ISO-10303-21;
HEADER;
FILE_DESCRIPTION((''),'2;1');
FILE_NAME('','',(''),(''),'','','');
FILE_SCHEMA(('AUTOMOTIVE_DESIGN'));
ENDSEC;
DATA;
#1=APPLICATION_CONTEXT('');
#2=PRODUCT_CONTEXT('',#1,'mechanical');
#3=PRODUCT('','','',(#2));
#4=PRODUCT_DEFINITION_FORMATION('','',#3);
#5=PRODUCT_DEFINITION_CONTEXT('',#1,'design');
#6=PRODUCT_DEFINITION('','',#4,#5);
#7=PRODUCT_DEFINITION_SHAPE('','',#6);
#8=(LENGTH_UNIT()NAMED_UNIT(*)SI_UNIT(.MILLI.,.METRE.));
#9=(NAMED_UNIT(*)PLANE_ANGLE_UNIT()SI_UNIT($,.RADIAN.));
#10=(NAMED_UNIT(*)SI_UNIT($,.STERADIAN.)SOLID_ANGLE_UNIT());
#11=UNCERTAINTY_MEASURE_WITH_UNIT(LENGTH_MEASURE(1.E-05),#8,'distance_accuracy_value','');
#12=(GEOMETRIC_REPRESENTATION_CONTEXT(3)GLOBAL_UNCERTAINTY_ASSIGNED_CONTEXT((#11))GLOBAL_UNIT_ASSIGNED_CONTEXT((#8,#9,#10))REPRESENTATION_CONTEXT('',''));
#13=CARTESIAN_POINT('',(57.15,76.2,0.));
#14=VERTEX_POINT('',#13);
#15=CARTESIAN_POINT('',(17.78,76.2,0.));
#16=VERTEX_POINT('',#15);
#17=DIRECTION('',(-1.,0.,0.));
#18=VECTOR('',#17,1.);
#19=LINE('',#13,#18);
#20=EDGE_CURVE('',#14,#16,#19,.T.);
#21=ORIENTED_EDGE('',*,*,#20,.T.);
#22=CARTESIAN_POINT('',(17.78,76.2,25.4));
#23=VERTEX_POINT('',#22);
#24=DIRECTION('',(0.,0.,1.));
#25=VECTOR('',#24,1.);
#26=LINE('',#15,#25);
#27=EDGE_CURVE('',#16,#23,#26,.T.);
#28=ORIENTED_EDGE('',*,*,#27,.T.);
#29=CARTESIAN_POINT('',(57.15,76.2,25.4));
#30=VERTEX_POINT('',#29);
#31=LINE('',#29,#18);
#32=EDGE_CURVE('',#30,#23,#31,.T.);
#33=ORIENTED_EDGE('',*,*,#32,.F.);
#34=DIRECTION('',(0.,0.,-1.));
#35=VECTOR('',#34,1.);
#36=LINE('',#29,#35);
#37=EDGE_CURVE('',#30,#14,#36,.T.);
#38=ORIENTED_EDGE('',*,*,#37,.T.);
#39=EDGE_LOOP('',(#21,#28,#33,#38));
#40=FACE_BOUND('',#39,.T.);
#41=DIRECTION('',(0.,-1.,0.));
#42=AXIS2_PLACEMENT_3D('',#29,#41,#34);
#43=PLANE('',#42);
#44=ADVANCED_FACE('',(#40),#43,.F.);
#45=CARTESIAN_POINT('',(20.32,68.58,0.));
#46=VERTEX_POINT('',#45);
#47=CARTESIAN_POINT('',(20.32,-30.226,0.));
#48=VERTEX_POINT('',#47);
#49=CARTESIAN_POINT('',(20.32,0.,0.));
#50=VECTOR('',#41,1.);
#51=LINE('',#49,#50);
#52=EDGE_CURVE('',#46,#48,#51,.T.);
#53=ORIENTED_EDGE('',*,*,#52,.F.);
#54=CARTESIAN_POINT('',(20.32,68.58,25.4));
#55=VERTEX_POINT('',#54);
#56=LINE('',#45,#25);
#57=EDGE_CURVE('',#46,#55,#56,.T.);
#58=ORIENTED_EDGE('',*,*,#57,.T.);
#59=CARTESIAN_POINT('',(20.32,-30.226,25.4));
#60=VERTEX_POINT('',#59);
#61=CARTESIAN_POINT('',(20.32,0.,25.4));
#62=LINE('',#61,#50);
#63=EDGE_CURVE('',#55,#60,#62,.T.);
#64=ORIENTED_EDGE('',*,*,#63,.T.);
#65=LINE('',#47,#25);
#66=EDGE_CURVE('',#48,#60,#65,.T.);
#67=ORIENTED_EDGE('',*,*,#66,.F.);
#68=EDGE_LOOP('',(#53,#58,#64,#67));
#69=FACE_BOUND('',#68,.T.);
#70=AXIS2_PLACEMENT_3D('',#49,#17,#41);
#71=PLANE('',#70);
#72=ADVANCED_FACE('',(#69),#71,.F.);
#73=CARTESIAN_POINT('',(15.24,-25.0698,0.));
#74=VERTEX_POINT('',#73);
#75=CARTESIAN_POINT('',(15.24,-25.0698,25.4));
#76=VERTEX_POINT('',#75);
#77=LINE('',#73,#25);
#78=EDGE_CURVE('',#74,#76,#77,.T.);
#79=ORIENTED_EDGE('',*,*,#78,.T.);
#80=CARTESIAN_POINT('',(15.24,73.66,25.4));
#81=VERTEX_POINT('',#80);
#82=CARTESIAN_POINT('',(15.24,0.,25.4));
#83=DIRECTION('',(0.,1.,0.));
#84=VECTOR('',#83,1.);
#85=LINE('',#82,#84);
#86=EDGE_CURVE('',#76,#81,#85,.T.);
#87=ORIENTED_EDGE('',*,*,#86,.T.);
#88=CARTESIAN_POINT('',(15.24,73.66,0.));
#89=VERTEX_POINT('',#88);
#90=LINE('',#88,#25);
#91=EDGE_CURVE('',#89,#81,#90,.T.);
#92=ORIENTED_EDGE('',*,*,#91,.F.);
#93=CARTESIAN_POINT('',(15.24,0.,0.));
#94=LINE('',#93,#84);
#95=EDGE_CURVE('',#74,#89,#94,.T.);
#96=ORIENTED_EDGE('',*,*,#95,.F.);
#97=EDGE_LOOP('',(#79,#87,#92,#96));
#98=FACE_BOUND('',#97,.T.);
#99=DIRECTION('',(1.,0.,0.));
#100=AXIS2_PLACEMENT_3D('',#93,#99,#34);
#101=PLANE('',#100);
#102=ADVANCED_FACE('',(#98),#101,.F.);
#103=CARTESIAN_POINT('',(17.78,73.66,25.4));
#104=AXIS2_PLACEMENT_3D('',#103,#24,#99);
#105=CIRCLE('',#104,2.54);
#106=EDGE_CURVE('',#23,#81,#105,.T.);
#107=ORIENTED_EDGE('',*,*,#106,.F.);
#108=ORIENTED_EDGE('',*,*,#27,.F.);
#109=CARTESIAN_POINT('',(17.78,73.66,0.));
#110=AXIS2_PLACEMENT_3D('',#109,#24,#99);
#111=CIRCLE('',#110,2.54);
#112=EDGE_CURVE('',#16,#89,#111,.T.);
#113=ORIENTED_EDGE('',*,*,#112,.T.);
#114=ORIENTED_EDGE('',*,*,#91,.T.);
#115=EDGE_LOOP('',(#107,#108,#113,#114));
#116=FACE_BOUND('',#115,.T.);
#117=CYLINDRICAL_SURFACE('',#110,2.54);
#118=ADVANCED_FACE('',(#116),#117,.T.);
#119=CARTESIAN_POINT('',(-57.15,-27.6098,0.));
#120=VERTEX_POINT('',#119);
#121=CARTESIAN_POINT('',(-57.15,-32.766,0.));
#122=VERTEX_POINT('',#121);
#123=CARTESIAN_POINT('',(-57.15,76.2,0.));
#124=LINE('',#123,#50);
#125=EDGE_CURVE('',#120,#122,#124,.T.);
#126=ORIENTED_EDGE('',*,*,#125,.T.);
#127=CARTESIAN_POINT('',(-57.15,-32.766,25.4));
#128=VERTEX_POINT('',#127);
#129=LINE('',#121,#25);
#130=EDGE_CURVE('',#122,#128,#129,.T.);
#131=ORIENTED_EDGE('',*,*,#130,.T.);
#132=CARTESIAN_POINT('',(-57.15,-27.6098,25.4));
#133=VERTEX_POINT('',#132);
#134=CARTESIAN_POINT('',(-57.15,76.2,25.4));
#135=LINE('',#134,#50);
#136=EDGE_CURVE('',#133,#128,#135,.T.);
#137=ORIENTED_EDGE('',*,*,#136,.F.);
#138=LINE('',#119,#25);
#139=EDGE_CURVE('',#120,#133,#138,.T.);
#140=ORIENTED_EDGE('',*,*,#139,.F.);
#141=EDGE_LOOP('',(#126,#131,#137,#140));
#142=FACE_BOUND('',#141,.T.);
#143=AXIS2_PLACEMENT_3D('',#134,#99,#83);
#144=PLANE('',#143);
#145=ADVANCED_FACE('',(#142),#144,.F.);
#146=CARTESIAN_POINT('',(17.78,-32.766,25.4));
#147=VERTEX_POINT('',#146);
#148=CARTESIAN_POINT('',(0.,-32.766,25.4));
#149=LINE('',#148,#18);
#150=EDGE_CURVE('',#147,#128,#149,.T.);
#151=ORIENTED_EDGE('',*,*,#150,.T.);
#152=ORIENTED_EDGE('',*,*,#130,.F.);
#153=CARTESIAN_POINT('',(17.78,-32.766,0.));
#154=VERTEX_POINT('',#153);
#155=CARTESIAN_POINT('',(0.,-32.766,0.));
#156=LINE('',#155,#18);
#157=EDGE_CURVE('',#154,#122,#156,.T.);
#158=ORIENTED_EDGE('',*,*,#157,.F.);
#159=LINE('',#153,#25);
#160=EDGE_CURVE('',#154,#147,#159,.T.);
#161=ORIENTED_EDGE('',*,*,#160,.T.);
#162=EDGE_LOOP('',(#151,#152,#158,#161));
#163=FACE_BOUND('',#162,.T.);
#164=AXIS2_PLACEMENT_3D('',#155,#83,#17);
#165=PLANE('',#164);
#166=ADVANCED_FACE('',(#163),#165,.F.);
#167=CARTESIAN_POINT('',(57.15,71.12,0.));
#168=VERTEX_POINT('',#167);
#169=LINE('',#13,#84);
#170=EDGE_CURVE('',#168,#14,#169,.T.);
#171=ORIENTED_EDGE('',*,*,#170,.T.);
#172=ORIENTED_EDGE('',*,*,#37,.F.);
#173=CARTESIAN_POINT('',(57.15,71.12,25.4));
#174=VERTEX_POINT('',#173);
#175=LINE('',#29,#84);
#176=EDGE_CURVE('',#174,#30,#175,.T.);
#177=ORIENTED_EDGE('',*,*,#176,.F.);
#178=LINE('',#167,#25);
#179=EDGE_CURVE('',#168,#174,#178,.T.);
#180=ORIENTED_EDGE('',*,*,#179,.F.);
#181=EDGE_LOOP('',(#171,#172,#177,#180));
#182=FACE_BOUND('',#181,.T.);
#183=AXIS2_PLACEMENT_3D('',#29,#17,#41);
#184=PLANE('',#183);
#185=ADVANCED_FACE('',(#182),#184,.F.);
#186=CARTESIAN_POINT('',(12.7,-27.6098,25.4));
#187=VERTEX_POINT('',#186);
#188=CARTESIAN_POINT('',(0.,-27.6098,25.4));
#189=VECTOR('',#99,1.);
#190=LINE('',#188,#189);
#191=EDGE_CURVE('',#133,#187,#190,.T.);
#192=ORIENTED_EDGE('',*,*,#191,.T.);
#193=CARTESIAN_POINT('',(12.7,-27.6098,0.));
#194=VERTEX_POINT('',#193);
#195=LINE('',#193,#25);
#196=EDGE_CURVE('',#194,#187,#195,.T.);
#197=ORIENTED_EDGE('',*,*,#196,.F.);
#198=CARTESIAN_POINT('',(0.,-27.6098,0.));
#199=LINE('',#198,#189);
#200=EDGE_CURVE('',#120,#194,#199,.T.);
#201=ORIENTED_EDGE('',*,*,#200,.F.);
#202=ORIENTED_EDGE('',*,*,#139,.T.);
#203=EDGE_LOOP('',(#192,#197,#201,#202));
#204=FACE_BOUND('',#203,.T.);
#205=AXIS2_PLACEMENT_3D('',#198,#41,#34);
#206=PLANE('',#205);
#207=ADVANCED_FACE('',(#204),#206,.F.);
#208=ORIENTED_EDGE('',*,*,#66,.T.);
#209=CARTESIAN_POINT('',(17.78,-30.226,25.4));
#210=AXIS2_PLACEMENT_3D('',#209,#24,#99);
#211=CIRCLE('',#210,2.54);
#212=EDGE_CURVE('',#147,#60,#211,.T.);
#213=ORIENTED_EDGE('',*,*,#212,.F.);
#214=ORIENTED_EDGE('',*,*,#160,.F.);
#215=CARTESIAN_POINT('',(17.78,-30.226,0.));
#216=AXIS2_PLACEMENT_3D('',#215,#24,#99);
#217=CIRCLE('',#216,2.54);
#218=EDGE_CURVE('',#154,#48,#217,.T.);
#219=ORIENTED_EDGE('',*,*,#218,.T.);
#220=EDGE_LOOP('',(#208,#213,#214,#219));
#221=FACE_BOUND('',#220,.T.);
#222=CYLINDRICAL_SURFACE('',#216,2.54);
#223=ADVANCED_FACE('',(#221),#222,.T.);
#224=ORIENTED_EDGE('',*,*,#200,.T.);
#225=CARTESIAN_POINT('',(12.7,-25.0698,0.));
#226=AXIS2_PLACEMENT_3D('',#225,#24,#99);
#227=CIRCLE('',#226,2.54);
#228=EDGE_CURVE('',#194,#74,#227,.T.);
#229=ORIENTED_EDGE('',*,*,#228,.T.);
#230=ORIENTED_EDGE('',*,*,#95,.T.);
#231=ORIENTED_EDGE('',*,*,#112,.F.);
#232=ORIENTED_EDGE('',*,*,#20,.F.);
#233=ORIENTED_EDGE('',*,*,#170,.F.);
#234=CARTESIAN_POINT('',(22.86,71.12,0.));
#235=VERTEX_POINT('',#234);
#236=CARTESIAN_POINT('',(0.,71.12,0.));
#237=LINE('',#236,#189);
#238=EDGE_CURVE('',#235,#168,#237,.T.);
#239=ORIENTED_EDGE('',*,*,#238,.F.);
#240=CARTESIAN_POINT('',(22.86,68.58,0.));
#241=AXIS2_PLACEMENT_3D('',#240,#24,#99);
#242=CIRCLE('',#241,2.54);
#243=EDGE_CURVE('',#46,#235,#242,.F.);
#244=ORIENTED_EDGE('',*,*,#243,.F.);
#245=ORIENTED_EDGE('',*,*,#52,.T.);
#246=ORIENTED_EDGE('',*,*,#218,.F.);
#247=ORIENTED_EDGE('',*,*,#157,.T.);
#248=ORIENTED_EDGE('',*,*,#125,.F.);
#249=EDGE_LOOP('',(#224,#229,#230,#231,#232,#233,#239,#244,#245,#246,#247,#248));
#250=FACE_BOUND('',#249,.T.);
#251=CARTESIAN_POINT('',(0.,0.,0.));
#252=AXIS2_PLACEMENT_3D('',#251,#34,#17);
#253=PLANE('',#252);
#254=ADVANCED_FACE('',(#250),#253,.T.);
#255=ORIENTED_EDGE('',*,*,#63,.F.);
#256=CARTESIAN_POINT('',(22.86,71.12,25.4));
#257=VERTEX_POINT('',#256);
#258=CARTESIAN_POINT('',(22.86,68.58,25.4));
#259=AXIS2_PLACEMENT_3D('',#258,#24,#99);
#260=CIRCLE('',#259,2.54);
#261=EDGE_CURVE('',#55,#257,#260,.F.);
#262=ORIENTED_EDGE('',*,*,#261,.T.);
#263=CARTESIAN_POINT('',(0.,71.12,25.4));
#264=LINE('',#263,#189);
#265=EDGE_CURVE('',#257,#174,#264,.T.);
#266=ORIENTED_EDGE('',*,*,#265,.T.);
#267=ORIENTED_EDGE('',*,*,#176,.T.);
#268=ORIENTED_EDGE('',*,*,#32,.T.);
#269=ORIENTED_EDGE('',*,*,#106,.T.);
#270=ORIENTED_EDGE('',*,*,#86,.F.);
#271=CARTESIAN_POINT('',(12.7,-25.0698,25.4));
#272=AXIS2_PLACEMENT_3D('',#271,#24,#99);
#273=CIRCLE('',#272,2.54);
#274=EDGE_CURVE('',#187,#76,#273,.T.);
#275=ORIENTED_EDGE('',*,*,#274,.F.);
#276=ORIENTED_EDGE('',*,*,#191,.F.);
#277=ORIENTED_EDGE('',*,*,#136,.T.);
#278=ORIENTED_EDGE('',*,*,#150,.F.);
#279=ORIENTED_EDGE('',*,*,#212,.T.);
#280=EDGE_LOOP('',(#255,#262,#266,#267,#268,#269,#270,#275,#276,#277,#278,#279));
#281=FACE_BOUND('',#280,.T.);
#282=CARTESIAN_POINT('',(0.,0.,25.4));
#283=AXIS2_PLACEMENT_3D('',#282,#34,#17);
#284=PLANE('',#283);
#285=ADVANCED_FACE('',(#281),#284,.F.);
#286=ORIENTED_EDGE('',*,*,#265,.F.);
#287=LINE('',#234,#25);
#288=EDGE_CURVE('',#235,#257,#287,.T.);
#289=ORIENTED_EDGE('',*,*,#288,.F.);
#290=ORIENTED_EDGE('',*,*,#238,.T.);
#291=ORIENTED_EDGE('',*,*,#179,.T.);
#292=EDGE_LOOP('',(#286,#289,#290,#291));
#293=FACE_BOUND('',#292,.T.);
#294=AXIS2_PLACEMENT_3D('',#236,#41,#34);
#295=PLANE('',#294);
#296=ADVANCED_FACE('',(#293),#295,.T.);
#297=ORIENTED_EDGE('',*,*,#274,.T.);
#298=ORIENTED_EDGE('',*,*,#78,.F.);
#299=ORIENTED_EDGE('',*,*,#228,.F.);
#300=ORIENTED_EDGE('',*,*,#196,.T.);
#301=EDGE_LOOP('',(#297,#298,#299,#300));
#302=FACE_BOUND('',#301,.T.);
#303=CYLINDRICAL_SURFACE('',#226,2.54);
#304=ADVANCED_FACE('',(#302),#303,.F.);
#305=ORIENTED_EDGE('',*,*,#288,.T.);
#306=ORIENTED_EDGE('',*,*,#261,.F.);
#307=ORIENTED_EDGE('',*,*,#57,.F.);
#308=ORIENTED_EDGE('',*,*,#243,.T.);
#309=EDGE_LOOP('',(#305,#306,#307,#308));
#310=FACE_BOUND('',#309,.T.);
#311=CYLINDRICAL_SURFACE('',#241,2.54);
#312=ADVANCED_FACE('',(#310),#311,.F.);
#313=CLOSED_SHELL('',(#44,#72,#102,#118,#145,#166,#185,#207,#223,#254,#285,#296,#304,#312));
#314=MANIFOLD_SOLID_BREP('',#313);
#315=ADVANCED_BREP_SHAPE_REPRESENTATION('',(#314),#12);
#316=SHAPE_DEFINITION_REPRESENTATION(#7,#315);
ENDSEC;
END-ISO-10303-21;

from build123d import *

# Parameters (mm, degrees)
SKETCH1_W           = 114.3
SKETCH1_H           = 152.4
BOSS_EXTRUDE1_DEPTH = 25.4
CUT_EXTRUDE1_DEPTH  = 99.578509321


with BuildPart() as part:
    # Sketch1 → Boss-Extrude1 (new body)
    with BuildSketch(Plane.XY):
        Rectangle(SKETCH1_W, SKETCH1_H)
    extrude(amount=BOSS_EXTRUDE1_DEPTH)

    # Sketch2 → Cut-Extrude1 (cut, through all)
    with BuildSketch(Plane.XY.offset(25.4)):
        with BuildLine():
            Line((57.15, 71.12), (22.86, 71.12))
            ThreePointArc((22.86, 71.12), (21.063948776, 70.376051224), (20.32, 68.58))
            Line((20.32, 68.58), (20.32, -30.226))
            ThreePointArc((20.32, -30.226), (19.576051224, -32.022051224), (17.78, -32.766))
            Line((17.78, -32.766), (-57.15, -32.766))
            Line((-57.15, -32.766), (-57.15, -76.2))
            Line((-57.15, -76.2), (57.15, -76.2))
            Line((57.15, -76.2), (57.15, 71.12))
        make_face()
        with BuildLine():
            ThreePointArc((15.24, 73.66), (15.983948776, 75.456051224), (17.78, 76.2))
            Line((17.78, 76.2), (-57.15, 76.2))
            Line((-57.15, 76.2), (-57.15, -27.6098))
            Line((-57.15, -27.6098), (12.7, -27.6098))
            ThreePointArc((12.7, -27.6098), (14.496051224, -26.865851224), (15.24, -25.0698))
            Line((15.24, -25.0698), (15.24, 73.66))
        make_face()
    extrude(amount=-CUT_EXTRUDE1_DEPTH, mode=Mode.SUBTRACT)


solid = part.part
